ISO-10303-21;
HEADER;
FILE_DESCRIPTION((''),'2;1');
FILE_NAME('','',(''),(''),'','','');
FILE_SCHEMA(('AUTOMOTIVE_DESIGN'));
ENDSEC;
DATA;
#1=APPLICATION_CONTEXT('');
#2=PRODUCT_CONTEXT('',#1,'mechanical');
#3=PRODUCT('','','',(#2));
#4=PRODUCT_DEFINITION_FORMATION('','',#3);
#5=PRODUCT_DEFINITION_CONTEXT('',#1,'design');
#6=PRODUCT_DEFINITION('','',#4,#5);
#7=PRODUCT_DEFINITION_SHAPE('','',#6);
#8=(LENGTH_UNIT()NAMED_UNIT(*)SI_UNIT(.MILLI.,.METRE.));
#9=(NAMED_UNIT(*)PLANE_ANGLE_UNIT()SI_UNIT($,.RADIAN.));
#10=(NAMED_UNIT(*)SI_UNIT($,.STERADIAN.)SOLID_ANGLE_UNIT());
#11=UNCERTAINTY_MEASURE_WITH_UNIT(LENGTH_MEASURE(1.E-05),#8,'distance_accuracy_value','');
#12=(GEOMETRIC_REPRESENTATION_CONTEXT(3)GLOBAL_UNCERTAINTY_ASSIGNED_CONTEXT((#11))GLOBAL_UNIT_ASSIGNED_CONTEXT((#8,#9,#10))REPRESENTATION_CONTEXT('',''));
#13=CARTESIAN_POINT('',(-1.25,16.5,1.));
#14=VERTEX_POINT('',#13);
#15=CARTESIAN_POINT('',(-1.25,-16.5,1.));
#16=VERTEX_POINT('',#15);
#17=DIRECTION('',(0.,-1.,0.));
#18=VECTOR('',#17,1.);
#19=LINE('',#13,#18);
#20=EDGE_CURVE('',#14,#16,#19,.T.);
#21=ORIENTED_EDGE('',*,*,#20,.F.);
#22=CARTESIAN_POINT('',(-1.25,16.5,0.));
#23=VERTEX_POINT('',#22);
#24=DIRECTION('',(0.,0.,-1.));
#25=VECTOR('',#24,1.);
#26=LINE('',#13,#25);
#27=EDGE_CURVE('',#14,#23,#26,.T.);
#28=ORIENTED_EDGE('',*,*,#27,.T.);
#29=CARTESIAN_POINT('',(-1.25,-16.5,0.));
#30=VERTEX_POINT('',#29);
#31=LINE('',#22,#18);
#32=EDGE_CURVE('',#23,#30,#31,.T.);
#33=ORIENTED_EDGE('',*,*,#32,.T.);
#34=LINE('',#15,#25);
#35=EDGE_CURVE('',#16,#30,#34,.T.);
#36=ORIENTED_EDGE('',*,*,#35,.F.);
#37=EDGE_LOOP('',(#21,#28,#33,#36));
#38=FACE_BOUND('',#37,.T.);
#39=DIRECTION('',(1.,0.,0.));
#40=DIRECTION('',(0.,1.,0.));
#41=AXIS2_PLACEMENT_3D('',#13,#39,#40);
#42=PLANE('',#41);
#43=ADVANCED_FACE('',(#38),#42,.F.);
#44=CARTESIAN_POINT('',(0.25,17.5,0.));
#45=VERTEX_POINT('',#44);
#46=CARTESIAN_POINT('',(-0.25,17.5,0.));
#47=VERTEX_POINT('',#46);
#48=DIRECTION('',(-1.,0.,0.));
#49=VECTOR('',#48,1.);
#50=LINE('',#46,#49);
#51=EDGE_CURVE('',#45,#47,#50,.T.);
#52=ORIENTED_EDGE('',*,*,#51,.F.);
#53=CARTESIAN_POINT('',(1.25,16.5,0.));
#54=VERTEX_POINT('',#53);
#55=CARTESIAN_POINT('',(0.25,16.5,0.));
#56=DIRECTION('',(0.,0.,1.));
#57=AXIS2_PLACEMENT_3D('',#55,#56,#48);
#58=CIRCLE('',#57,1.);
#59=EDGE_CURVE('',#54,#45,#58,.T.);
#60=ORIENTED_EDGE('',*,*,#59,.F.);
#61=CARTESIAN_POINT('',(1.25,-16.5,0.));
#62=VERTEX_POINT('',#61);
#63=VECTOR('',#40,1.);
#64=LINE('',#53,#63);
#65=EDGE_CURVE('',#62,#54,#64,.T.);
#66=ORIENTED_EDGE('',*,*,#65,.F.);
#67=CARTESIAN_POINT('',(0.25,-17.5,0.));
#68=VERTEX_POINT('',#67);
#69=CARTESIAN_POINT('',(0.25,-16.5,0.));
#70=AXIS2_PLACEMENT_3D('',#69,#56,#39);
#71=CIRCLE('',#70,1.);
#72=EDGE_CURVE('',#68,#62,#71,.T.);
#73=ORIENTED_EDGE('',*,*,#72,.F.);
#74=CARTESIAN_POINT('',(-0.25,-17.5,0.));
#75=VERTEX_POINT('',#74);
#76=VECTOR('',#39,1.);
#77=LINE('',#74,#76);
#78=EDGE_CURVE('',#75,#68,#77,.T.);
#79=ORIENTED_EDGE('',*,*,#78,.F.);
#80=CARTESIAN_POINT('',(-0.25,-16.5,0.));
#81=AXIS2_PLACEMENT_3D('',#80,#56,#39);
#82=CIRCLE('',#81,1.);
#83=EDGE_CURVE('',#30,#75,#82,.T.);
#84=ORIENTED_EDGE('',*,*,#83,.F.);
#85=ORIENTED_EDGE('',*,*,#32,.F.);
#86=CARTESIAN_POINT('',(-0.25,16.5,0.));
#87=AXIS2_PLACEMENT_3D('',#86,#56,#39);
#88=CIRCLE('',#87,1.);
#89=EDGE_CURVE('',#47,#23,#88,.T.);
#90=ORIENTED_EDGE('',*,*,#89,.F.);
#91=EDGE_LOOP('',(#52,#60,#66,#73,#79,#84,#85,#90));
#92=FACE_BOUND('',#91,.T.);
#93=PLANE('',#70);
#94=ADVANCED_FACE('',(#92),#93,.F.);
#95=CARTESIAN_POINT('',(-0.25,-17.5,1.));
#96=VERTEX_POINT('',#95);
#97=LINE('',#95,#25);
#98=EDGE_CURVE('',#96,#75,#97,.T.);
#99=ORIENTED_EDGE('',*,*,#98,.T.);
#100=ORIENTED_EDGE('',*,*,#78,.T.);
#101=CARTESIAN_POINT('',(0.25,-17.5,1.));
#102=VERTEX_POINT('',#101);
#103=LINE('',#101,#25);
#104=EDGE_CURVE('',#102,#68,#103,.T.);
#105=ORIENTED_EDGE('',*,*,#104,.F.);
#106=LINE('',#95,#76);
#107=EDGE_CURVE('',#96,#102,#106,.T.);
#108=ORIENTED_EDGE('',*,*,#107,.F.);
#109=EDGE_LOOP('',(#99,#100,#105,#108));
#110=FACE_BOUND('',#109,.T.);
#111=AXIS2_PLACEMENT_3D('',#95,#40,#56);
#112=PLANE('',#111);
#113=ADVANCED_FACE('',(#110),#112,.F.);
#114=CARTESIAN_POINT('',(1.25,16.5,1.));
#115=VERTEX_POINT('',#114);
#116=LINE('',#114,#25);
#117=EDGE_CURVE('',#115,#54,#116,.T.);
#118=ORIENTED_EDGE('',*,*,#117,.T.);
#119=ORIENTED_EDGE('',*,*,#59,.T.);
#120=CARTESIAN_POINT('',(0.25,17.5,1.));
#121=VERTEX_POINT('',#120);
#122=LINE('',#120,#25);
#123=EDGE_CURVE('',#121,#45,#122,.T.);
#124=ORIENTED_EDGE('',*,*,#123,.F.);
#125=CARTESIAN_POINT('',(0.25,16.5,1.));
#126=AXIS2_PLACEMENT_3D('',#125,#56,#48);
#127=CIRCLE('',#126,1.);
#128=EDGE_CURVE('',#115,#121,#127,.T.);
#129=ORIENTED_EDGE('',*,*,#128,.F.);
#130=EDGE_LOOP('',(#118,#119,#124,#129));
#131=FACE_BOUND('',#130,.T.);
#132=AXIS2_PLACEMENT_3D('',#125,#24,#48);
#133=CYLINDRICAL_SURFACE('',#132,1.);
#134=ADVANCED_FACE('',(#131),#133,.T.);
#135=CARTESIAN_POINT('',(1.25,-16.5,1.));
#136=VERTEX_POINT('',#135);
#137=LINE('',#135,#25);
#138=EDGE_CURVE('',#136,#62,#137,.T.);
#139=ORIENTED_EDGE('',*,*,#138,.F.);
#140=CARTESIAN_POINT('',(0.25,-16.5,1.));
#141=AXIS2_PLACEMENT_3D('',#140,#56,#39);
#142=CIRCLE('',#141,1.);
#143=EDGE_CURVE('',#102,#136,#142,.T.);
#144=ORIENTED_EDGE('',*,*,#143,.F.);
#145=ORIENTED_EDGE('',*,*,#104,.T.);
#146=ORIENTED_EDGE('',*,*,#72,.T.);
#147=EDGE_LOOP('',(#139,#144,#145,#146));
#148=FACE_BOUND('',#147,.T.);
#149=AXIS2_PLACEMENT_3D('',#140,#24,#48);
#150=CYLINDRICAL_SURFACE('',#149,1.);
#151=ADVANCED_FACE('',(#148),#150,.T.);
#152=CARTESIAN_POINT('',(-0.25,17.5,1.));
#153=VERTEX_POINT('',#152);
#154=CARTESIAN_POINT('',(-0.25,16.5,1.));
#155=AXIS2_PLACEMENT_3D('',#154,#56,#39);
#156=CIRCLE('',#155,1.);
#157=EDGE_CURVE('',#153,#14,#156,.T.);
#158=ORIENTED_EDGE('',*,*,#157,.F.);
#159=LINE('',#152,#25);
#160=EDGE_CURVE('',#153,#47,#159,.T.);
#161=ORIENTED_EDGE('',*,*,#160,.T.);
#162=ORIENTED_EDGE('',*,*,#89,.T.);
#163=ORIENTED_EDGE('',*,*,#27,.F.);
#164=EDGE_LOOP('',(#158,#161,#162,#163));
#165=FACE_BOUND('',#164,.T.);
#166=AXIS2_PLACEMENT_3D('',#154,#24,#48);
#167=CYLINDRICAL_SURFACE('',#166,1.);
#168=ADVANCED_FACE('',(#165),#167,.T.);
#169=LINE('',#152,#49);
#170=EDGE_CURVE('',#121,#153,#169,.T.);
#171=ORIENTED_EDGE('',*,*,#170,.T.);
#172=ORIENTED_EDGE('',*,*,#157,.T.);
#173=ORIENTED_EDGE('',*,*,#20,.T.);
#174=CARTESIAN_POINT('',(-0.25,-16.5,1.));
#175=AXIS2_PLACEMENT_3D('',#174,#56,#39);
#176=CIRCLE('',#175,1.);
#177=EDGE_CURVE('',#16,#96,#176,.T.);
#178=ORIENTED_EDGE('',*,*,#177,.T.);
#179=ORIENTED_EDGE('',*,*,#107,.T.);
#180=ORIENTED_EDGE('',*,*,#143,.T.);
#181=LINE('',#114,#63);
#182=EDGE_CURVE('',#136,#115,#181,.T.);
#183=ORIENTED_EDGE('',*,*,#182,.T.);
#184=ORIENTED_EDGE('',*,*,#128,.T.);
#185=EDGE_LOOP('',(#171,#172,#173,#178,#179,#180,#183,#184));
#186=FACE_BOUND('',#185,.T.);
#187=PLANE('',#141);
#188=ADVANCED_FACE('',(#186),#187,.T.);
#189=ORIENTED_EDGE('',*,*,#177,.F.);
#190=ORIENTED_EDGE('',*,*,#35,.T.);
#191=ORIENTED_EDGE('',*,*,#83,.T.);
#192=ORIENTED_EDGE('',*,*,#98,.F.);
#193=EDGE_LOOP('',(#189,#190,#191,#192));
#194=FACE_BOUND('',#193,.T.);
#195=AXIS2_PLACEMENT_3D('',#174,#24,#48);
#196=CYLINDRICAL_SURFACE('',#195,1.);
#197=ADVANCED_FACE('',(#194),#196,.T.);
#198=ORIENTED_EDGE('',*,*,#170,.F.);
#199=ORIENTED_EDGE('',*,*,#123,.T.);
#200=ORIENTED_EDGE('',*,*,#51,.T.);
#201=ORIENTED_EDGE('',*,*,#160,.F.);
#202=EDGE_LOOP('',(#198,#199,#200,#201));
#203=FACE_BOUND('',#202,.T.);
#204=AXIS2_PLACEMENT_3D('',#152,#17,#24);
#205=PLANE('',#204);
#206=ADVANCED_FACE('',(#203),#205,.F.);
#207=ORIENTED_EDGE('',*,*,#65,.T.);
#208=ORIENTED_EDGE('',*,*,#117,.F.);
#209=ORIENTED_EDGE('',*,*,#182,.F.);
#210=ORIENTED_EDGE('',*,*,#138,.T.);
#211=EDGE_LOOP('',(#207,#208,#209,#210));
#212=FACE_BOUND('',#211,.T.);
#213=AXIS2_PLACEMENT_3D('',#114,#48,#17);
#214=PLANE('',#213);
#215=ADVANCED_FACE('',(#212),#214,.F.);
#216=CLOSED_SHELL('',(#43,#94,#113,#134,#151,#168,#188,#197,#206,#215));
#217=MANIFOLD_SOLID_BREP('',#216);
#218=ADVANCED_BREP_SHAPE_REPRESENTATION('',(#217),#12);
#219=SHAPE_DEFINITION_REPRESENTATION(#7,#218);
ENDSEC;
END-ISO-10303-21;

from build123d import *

# Parameters (mm, degrees)
BOSS_EXTRUDE1_DEPTH = 1


with BuildPart() as part:
    # Sketch1 → Boss-Extrude1 (new body)
    with BuildSketch(Plane.XY):
        with BuildLine():
            Line((-0.25, 17.5), (0.25, 17.5))
            ThreePointArc((0.25, 17.5), (0.957106781, 17.207106781), (1.25, 16.5))
            Line((1.25, 16.5), (1.25, -16.5))
            ThreePointArc((1.25, -16.5), (0.957106781, -17.207106781), (0.25, -17.5))
            Line((0.25, -17.5), (-0.25, -17.5))
            ThreePointArc((-0.25, -17.5), (-0.957106781, -17.207106781), (-1.25, -16.5))
            Line((-1.25, -16.5), (-1.25, 16.5))
            ThreePointArc((-1.25, 16.5), (-0.957106781, 17.207106781), (-0.25, 17.5))
        make_face()
    extrude(amount=BOSS_EXTRUDE1_DEPTH)


solid = part.part
